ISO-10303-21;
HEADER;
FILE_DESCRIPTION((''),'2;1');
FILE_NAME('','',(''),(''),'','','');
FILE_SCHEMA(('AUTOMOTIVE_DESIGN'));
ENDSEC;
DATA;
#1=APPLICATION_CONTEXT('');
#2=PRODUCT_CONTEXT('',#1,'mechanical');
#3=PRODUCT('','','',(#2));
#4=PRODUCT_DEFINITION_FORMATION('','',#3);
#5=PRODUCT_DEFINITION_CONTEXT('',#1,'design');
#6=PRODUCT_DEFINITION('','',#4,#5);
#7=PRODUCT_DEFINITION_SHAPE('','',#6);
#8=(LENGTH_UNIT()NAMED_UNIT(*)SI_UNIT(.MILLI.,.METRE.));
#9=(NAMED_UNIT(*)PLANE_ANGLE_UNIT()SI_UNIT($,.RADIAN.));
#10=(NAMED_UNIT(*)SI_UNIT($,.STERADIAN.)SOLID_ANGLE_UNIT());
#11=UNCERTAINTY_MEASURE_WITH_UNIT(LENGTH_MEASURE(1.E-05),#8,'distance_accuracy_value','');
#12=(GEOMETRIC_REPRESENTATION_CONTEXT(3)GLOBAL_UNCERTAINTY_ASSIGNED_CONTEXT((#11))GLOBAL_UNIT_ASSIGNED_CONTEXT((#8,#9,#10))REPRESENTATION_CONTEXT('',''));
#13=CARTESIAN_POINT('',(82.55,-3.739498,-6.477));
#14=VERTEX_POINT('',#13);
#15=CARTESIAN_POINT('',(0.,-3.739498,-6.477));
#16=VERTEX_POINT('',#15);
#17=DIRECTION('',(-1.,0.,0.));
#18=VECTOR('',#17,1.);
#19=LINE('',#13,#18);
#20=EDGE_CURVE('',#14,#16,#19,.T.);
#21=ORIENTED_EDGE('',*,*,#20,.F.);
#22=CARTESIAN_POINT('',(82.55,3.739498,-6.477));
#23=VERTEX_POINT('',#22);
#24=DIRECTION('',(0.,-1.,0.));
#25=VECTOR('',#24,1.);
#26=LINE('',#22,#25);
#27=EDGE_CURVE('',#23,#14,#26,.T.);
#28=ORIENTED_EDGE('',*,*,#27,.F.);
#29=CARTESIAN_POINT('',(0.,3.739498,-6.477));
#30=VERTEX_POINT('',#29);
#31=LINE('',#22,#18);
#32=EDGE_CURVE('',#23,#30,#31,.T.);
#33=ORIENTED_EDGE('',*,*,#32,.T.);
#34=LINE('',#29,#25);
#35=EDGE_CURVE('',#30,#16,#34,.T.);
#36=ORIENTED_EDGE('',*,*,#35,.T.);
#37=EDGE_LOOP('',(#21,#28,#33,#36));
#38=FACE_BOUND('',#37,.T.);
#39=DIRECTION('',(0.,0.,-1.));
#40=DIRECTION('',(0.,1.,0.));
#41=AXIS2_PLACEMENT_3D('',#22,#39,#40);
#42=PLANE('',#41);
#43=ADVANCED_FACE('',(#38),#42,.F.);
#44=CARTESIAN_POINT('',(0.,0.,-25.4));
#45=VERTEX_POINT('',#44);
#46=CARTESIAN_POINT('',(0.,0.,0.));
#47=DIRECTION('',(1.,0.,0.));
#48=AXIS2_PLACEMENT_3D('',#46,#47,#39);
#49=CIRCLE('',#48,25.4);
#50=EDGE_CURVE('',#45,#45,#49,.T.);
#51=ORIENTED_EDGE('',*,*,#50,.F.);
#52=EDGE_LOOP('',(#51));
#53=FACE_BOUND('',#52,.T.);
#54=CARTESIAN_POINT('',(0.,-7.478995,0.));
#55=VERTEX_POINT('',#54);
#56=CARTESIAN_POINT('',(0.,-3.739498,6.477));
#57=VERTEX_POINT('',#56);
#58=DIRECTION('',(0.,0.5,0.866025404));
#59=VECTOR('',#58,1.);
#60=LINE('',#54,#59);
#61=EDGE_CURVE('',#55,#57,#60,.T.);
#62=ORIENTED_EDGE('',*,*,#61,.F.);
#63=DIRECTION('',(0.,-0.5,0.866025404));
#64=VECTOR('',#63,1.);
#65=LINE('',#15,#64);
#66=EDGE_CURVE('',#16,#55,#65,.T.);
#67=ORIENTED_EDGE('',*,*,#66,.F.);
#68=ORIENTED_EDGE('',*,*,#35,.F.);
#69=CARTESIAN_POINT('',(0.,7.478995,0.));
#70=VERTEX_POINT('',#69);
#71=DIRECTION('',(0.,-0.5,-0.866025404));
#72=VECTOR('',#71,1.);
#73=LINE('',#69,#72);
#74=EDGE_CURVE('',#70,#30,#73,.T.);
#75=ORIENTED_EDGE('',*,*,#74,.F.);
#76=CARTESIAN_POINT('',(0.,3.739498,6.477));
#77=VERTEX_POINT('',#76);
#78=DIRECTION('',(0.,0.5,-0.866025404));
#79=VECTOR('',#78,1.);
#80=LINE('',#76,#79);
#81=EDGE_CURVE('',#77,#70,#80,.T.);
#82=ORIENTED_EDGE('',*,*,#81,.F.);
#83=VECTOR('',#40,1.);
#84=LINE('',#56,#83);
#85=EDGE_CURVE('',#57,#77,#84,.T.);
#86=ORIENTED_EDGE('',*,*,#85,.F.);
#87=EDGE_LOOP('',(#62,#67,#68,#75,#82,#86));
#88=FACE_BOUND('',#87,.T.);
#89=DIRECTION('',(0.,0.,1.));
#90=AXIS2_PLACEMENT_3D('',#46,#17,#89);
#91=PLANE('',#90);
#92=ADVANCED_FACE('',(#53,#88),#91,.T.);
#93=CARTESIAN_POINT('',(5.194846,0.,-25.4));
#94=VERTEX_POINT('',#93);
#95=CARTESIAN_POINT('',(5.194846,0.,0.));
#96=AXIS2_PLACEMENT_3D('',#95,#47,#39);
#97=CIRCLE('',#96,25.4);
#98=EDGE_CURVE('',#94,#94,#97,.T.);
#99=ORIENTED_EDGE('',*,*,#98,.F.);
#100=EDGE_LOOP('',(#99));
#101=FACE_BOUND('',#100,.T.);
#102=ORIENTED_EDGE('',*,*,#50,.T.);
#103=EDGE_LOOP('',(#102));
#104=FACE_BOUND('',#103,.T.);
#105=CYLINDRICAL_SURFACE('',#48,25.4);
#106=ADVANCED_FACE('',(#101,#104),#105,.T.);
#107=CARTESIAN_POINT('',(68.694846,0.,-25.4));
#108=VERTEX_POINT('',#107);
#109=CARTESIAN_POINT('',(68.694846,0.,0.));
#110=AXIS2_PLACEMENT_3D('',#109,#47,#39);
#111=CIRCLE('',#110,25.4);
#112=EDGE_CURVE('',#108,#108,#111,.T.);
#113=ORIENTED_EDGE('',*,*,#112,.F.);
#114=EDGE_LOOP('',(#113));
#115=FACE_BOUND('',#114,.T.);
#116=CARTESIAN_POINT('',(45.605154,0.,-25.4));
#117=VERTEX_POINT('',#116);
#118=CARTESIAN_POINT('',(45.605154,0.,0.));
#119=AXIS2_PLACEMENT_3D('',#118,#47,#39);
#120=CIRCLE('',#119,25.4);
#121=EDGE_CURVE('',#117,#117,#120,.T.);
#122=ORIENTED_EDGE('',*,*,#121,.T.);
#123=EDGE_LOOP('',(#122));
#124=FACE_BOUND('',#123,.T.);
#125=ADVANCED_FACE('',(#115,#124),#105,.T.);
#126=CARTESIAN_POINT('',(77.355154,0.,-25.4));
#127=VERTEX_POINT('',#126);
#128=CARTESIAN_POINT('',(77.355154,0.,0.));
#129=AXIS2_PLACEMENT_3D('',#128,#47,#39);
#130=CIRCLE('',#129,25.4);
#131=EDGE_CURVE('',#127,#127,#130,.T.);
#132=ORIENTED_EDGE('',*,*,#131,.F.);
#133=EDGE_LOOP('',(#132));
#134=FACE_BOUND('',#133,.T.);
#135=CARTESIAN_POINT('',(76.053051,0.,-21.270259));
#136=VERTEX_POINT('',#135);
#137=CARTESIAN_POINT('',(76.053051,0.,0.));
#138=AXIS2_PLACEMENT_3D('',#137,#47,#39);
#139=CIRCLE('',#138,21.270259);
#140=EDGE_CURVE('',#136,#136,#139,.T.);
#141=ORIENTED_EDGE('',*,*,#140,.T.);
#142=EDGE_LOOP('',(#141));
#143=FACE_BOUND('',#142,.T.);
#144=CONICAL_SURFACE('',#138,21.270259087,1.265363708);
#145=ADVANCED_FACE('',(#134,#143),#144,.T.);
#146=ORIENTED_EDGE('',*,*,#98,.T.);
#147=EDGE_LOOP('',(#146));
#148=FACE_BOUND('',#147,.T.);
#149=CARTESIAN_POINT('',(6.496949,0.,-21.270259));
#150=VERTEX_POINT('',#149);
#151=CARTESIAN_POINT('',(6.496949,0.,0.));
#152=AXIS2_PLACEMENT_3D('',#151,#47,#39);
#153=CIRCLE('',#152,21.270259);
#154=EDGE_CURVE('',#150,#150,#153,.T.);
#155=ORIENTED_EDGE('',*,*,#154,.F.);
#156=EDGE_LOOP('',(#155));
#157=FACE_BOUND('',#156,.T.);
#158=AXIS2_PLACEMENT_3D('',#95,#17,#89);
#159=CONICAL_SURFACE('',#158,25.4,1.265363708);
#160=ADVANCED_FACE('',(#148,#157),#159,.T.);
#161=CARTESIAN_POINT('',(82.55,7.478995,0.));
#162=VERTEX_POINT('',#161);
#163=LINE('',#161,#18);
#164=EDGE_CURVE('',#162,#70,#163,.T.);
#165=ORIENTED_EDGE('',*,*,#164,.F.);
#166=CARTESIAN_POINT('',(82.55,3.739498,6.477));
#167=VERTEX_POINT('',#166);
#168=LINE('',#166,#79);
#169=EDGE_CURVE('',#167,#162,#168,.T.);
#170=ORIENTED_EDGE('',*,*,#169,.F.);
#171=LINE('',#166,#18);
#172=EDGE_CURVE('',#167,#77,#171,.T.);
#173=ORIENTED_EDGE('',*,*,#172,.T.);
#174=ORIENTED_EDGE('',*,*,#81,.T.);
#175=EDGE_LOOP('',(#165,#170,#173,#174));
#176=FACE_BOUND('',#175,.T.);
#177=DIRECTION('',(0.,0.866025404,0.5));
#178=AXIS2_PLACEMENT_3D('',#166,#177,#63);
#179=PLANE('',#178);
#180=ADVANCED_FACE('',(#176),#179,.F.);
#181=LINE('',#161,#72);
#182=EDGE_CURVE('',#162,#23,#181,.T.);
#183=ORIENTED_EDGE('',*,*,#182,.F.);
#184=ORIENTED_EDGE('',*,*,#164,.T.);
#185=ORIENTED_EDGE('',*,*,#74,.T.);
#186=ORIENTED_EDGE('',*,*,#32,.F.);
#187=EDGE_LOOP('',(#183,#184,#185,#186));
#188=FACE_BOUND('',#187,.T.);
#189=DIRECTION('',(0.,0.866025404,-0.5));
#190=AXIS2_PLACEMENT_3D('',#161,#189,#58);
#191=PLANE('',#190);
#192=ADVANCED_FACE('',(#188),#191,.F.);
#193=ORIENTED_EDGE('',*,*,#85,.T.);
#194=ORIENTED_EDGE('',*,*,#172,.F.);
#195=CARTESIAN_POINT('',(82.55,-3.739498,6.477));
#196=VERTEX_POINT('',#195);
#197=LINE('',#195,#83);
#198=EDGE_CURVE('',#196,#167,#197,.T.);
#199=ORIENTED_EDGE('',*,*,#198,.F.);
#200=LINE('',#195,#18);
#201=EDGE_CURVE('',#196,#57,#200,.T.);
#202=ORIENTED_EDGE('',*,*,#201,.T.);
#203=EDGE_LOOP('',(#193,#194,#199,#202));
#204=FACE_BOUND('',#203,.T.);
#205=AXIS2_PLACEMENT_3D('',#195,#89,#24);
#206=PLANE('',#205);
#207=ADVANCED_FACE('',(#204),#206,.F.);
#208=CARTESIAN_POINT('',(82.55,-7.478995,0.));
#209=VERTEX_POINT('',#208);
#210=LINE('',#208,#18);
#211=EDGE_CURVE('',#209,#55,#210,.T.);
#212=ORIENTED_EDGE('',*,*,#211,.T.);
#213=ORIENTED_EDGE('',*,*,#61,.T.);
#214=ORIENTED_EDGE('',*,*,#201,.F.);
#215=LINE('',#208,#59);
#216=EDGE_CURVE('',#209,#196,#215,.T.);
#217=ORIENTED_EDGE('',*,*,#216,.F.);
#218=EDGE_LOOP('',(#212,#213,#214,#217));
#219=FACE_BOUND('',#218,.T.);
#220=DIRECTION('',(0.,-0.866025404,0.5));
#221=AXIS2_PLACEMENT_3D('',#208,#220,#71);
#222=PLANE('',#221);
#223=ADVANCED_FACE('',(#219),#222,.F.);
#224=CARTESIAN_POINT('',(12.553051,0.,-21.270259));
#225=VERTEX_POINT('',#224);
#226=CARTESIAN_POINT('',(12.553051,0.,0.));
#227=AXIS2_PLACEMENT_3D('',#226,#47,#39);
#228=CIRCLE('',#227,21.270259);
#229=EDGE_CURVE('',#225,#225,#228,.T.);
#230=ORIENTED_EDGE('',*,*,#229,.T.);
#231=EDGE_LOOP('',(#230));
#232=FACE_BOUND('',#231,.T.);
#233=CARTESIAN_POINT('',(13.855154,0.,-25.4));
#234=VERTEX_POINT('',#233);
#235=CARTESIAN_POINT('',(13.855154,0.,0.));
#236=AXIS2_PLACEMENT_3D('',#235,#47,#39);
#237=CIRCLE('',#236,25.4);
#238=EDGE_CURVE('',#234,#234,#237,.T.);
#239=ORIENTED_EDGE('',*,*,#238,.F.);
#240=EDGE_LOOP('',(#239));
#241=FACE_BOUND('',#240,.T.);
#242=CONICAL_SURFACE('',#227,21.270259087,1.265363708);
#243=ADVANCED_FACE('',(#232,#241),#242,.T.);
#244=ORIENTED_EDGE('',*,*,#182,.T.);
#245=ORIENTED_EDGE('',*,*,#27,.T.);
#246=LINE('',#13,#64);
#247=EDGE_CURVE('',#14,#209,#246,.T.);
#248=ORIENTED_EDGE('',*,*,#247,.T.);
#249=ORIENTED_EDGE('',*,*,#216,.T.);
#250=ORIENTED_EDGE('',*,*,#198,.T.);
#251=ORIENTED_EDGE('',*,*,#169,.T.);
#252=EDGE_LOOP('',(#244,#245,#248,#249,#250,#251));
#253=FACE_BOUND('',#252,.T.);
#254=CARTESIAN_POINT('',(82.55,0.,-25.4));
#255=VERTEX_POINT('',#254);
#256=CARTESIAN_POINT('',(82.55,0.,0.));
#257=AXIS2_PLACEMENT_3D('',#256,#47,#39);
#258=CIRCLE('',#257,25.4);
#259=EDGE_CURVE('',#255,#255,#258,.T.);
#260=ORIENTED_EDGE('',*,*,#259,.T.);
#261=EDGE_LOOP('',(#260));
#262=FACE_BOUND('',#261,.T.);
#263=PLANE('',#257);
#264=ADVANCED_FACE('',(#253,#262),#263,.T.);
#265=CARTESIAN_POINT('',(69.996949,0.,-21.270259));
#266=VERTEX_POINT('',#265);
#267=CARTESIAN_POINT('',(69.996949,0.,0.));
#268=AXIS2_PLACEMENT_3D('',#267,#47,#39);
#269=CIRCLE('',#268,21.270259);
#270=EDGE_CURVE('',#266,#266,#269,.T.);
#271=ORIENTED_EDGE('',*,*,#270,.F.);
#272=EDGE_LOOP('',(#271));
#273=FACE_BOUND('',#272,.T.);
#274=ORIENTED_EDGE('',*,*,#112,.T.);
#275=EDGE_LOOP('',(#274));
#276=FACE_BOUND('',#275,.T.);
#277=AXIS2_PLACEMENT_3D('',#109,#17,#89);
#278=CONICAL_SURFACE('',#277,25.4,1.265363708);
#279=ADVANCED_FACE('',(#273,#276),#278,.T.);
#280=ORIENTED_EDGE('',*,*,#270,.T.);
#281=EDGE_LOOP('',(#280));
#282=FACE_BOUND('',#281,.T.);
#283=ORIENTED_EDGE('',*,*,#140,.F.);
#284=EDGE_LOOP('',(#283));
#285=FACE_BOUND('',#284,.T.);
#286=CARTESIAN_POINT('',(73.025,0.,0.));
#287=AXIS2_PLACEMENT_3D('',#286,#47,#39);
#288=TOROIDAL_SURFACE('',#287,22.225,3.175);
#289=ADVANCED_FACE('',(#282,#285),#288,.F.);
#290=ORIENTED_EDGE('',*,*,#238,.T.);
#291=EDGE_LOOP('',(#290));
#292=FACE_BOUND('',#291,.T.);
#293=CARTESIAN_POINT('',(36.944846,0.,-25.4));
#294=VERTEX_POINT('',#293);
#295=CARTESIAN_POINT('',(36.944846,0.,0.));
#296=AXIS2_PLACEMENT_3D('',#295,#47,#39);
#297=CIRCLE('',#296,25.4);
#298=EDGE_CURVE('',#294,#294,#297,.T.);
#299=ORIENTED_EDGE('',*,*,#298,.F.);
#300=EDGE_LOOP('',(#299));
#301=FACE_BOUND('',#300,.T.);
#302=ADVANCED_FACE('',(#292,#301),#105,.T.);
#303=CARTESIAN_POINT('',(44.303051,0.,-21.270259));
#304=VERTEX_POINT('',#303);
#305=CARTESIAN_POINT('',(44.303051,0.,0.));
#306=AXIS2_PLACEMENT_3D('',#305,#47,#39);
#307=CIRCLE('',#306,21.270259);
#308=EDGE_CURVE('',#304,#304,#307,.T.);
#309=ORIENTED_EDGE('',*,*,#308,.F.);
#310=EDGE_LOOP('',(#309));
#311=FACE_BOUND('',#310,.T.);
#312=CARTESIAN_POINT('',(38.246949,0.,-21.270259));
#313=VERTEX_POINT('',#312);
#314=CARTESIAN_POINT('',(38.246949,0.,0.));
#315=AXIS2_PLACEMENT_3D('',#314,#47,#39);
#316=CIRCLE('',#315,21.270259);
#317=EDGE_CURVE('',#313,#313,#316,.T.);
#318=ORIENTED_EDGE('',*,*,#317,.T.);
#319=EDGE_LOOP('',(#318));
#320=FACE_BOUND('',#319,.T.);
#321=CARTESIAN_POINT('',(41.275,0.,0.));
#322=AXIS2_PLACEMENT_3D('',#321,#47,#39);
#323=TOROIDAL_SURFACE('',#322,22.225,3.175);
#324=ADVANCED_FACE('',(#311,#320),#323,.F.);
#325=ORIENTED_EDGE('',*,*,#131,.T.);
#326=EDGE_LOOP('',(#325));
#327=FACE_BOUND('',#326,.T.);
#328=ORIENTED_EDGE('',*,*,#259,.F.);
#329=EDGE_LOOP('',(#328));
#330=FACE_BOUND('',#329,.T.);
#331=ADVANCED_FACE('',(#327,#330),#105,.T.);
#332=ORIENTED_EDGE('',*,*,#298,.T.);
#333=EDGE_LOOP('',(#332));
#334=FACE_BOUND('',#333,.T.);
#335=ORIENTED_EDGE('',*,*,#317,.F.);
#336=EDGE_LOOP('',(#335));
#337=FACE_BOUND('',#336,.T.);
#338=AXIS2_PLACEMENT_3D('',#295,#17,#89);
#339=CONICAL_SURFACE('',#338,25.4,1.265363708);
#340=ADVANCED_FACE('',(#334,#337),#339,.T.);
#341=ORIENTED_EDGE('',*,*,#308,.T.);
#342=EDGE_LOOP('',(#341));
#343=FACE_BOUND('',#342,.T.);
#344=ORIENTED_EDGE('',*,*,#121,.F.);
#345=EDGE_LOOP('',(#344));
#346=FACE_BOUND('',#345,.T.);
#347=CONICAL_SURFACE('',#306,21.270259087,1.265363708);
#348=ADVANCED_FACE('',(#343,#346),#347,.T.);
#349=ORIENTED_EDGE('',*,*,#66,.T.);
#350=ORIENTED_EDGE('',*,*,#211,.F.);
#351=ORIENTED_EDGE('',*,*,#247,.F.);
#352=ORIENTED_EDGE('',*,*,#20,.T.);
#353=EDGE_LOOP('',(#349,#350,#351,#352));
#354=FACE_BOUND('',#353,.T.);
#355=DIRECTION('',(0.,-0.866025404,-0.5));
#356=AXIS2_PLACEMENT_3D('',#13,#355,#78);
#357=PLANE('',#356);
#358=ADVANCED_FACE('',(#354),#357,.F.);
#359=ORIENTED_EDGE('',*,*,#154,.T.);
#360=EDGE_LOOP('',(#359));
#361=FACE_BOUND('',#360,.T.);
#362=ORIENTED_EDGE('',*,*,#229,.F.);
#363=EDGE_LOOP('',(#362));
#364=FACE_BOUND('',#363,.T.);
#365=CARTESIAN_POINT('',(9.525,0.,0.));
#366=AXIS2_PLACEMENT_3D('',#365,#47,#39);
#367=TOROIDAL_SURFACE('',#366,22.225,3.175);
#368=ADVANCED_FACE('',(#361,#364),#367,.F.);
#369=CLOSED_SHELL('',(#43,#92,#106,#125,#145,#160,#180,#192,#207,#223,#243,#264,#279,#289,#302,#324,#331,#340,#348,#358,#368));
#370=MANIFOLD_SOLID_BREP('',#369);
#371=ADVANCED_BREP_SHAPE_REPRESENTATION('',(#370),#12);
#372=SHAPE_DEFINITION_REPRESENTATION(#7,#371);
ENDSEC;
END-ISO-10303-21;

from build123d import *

# Parameters (mm, degrees)
SKETCH1_W          = 82.55
SKETCH1_H          = 25.4
CUT_EXTRUDE1_DEPTH = 83.55


with BuildPart() as part:
    # Sketch1 → Revolve1 (revolve)
    with BuildSketch(Plane.XY):
        with Locations((41.275, 12.7)):
            Rectangle(SKETCH1_W, SKETCH1_H)
    revolve(axis=Axis((0, 0, 0), (-1, 0, 0)))

    # Sketch2 → Cut-Revolve1 (revolve, cut)
    with BuildSketch(Plane.XY):
        with BuildLine():
            Line((5.194846373, 25.4), (6.496948681, 21.270259087))
            ThreePointArc((6.496948681, 21.270259087), (9.525, 19.05), (12.553051319, 21.270259087))
            Line((12.553051319, 21.270259087), (13.855153627, 25.4))
            Line((13.855153627, 25.4), (5.194846373, 25.4))
        make_face()
        with BuildLine():
            Line((36.944846373, 25.4), (38.246948681, 21.270259087))
            ThreePointArc((38.246948681, 21.270259087), (41.275, 19.05), (44.303051319, 21.270259087))
            Line((44.303051319, 21.270259087), (45.605153627, 25.4))
            Line((45.605153627, 25.4), (36.944846373, 25.4))
        make_face()
        with BuildLine():
            Line((68.694846373, 25.4), (69.996948681, 21.270259087))
            ThreePointArc((69.996948681, 21.270259087), (73.025, 19.05), (76.053051319, 21.270259087))
            Line((76.053051319, 21.270259087), (77.355153627, 25.4))
            Line((77.355153627, 25.4), (68.694846373, 25.4))
        make_face()
    revolve(axis=Axis((0, 0, 0), (-1, 0, 0)), mode=Mode.SUBTRACT)

    # Sketch3 → Cut-Extrude1 (cut, through all)
    with BuildSketch(Plane.ZY):
        Polygon((0, 7.478995387), (-6.477, 3.739497694), (-6.477, -3.739497694), (0, -7.478995387), (6.477, -3.739497694), (6.477, 3.739497694), align=None)
    extrude(amount=-CUT_EXTRUDE1_DEPTH, mode=Mode.SUBTRACT)


solid = part.part
